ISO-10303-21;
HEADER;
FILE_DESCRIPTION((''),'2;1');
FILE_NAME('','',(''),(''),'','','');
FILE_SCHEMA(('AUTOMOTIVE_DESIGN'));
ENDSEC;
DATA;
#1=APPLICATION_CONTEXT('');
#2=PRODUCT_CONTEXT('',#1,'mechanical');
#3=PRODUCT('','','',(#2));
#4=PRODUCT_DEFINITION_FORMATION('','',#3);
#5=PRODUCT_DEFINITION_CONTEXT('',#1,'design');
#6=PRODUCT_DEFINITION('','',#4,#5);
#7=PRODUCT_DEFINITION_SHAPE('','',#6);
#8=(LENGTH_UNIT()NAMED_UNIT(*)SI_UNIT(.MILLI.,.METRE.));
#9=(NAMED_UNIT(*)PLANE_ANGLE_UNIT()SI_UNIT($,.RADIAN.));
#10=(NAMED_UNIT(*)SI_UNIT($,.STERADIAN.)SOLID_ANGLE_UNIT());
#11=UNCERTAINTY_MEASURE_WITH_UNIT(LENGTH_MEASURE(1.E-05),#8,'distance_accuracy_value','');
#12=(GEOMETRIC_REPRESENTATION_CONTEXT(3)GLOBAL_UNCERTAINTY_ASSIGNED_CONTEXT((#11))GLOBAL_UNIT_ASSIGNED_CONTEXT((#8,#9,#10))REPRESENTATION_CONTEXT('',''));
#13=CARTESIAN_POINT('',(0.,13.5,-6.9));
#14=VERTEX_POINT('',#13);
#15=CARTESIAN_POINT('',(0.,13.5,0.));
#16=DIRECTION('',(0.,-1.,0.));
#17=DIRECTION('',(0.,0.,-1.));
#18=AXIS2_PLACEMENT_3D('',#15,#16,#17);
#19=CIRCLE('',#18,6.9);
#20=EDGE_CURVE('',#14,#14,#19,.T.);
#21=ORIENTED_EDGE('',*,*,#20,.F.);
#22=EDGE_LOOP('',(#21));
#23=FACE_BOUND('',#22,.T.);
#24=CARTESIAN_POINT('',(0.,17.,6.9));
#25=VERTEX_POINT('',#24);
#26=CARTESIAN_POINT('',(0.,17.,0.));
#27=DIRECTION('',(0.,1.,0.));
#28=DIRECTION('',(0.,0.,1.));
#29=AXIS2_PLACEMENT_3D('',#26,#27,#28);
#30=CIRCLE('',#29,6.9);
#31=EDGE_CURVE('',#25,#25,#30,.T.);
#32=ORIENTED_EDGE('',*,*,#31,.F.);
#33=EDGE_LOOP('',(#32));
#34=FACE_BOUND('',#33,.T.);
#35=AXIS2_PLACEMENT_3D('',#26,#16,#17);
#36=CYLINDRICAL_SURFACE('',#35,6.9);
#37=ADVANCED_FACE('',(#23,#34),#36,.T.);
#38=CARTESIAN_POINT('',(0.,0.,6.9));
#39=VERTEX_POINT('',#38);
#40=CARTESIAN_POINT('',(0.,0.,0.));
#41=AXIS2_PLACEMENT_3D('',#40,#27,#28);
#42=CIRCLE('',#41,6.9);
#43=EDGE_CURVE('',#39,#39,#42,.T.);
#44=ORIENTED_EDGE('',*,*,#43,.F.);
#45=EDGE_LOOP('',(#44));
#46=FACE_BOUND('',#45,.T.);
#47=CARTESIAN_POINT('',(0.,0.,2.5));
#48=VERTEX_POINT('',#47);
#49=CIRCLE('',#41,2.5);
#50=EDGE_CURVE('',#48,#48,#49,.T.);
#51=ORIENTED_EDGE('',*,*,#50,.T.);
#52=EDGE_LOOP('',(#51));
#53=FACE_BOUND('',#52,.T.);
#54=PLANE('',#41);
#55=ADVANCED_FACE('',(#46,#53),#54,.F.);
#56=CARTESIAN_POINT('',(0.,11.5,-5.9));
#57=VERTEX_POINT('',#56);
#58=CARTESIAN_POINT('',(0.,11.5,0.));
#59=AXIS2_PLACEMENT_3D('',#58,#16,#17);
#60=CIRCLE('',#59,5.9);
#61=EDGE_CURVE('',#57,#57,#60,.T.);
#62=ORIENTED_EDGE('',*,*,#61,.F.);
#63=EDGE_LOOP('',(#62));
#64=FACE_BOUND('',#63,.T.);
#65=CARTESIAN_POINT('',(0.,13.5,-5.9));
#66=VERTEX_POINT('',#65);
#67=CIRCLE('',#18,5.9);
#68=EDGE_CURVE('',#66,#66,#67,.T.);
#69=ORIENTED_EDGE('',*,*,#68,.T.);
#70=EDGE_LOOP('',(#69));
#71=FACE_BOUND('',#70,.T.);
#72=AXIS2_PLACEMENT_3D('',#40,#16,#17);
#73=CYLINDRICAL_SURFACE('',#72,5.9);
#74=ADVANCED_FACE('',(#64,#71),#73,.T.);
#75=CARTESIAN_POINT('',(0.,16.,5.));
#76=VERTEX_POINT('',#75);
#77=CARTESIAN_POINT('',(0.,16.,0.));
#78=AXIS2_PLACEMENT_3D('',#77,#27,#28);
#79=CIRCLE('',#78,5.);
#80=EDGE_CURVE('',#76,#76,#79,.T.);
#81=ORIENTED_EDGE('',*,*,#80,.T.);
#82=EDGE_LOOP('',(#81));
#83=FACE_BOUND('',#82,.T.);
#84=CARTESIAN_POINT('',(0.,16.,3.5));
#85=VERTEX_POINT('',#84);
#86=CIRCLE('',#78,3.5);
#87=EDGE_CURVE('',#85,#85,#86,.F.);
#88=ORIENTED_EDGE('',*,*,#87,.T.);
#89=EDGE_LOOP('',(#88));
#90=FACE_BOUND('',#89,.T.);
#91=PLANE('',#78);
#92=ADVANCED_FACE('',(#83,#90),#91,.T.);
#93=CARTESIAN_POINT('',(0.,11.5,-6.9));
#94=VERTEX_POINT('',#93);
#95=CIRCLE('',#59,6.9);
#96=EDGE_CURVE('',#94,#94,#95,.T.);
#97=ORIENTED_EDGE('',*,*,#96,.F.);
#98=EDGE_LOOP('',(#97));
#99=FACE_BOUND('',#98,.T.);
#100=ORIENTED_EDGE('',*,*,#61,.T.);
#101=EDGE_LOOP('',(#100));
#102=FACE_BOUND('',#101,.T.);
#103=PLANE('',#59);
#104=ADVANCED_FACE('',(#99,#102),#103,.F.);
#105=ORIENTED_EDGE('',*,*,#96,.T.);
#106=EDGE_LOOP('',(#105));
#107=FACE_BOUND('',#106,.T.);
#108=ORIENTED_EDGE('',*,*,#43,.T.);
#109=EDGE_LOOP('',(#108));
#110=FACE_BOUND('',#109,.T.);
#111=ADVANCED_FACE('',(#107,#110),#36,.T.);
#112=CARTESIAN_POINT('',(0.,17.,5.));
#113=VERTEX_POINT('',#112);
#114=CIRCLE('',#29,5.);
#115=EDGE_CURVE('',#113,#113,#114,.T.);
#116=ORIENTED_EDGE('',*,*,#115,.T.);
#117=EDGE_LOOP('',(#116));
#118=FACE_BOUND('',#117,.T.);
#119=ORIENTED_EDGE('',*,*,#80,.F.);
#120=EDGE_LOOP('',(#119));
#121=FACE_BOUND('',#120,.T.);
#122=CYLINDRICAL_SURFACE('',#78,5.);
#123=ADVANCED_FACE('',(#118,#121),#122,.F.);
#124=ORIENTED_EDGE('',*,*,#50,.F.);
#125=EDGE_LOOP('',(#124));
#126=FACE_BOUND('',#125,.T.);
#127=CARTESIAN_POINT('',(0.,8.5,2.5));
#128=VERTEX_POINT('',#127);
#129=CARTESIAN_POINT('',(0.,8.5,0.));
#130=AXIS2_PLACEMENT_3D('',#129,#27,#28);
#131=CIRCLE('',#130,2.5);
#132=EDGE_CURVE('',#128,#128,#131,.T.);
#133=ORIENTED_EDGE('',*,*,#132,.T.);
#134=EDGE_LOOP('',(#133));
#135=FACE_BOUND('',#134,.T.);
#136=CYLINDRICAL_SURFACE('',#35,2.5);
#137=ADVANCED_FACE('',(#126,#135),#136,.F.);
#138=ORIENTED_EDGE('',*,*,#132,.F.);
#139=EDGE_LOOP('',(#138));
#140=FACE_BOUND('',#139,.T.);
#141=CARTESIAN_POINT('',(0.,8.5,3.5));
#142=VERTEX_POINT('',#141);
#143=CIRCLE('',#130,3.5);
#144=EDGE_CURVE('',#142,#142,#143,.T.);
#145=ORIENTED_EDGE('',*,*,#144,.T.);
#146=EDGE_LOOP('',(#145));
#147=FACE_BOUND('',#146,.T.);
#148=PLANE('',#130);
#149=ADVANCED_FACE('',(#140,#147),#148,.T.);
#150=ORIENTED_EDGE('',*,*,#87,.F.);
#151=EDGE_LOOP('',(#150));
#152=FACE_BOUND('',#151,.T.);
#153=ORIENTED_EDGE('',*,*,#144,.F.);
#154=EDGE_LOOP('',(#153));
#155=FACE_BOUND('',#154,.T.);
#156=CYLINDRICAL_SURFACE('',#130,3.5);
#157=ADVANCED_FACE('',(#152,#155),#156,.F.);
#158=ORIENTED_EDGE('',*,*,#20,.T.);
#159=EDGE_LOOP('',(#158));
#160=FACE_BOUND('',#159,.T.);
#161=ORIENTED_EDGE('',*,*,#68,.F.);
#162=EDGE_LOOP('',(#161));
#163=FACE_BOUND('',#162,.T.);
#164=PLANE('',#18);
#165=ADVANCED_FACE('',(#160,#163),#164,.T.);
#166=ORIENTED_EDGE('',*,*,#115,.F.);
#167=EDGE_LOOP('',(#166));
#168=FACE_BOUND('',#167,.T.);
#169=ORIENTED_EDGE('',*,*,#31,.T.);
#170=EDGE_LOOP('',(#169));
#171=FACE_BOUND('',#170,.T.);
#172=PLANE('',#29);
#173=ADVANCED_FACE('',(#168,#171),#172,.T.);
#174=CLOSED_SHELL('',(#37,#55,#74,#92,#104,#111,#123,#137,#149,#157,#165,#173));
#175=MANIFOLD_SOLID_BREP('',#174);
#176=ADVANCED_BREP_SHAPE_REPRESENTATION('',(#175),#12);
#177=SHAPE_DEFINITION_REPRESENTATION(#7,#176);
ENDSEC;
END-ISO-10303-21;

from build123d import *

# Parameters (mm, degrees)
SKETCH_1_R          = 6.9
SKETCH_1_R_2        = 2.5
EXTRUDE_1_DEPTH     = 17
SKETCH_2_R          = 3.5
CUT_EXTRUDE_1_DEPTH = 8.5
SKETCH_3_R          = 5
CUT_EXTRUDE_2_DEPTH = 1
SKETCH_4_W          = 2.072752753
SKETCH_4_H          = 2


with BuildPart() as part:
    # 草图1 → 凸台-拉伸1 (new body)
    with BuildSketch(Plane(origin=(0, 0, 0), x_dir=(1, 0, 0), z_dir=(0, 1, 0))):
        with Locations(Location((0, 0, 0), (0, 0, 270))):
            Circle(SKETCH_1_R)
        with Locations(Location((0, 0, 0), (0, 0, 270))):
            Circle(SKETCH_1_R_2, mode=Mode.SUBTRACT)
    extrude(amount=EXTRUDE_1_DEPTH)

    # 草图2 → 切除-拉伸1 (cut)
    with BuildSketch(Plane(origin=(0, 17, 0), x_dir=(1, 0, 0), z_dir=(0, 1, 0))):
        with Locations(Location((0, 0, 0), (0, 0, 270))):
            Circle(SKETCH_2_R)
    extrude(amount=-CUT_EXTRUDE_1_DEPTH, mode=Mode.SUBTRACT)

    # 草图3 → 切除-拉伸2 (cut)
    with BuildSketch(Plane(origin=(0, 17, 0), x_dir=(1, 0, 0), z_dir=(0, 1, 0))):
        with Locations(Location((0, 0, 0), (0, 0, 270))):
            Circle(SKETCH_3_R)
    extrude(amount=-CUT_EXTRUDE_2_DEPTH, mode=Mode.SUBTRACT)

    # 草图4 → 切除-旋转1 (revolve, cut)
    with BuildSketch(Plane.XY, mode=Mode.PRIVATE) as cut_revolve_1_sk:
        with Locations((6.936376377, 12.5)):
            Rectangle(SKETCH_4_W, SKETCH_4_H)
    revolve(cut_revolve_1_sk.sketch.rotate(Axis((0, 0, 0), (0, 1, 0)), 90), axis=Axis((0, 0, 0), (0, 1, 0)), mode=Mode.SUBTRACT)


solid = part.part
